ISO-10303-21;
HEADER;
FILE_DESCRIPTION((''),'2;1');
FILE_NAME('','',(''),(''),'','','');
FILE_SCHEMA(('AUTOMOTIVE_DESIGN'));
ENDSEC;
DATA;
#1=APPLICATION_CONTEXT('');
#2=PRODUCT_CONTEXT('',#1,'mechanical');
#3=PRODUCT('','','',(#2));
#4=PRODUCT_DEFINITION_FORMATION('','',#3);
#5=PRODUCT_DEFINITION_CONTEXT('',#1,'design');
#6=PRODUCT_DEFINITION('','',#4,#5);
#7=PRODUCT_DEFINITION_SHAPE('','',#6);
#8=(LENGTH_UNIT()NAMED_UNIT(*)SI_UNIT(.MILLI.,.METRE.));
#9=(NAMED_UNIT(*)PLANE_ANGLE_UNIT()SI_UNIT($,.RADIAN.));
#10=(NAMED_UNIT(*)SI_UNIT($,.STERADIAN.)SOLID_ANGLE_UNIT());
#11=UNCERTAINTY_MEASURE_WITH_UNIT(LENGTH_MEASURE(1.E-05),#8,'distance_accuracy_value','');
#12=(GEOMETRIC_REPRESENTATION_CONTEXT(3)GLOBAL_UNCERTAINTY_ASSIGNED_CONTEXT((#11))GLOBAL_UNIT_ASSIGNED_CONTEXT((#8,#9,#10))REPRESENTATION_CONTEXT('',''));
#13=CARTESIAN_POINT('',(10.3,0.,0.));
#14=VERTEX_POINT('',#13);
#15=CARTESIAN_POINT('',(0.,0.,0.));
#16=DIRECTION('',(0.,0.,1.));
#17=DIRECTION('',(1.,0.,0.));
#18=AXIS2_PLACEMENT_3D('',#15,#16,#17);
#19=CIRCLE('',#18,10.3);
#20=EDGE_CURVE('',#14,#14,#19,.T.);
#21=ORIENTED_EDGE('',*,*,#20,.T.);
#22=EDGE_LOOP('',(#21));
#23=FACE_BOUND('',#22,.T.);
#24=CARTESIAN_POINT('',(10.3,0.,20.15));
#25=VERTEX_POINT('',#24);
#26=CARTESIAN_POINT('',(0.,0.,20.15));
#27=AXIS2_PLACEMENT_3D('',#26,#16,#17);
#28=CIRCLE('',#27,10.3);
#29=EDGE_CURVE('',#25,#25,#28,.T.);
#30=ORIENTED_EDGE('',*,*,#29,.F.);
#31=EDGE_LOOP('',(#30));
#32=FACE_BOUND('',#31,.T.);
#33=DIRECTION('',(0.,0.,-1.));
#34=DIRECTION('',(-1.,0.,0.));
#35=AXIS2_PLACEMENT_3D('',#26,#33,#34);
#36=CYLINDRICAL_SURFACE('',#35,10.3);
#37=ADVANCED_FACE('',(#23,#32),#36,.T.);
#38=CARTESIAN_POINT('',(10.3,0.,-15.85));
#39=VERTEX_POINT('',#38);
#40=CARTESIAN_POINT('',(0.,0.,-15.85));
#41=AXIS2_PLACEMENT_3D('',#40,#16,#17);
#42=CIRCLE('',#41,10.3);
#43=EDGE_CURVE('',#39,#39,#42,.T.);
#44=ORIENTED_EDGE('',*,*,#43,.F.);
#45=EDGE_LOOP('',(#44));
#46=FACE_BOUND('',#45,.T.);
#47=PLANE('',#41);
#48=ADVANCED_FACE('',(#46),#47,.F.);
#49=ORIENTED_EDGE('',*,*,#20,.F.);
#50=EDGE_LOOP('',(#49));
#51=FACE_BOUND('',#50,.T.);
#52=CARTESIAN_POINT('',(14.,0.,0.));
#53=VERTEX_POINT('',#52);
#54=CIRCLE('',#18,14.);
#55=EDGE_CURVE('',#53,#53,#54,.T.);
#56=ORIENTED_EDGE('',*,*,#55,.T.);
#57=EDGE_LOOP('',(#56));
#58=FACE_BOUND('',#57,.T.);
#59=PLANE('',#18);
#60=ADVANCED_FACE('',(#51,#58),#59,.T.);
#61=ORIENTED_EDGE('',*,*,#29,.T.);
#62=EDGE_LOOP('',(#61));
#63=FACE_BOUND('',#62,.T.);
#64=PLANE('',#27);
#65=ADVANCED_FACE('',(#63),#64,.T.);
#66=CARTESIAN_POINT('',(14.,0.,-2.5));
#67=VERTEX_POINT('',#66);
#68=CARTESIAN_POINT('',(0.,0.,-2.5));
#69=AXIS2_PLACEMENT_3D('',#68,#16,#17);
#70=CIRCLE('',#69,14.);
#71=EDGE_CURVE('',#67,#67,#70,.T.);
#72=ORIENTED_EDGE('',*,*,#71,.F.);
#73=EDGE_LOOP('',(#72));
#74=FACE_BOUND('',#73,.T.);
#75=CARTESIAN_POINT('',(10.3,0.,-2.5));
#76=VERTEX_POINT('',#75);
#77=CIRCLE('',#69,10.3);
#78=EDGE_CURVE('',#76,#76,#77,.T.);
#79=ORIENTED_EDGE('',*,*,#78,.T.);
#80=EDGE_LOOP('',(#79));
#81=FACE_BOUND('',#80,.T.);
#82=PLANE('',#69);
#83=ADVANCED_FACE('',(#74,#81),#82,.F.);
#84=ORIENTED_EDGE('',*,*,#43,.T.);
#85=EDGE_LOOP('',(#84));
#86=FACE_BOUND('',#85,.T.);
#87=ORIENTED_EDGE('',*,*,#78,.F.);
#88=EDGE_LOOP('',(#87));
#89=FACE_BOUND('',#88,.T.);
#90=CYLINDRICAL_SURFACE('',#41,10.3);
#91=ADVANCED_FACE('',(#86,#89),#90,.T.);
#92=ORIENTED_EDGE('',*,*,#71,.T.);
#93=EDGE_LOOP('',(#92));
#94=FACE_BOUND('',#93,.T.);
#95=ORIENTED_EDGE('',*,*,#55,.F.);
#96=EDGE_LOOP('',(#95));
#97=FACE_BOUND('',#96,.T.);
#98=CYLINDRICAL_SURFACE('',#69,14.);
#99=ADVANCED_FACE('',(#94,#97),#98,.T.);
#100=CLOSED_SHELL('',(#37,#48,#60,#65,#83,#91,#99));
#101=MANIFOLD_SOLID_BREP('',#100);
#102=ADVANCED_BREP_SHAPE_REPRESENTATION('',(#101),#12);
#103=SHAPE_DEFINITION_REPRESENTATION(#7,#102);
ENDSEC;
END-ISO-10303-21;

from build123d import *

# Parameters (mm, degrees)
SKETCH1_R           = 10.3
BOSS_EXTRUDE1_DEPTH = 20.15
SKETCH1_3_R         = 14
BOSS_EXTRUDE2_DEPTH = 2.5
BOSS_EXTRUDE3_START = -15.85
SKETCH1_4_R         = 10.3
BOSS_EXTRUDE3_DEPTH = 15.85


with BuildPart() as part:
    # Sketch1 → Boss-Extrude1 (new body)
    with BuildSketch(Plane.XY):
        Circle(SKETCH1_R)
    extrude(amount=BOSS_EXTRUDE1_DEPTH)

    # Sketch1<3> → Boss-Extrude2 (add)
    with BuildSketch(Plane.XY):
        Circle(SKETCH1_3_R)
    extrude(amount=-BOSS_EXTRUDE2_DEPTH)

    # Sketch1<4> → Boss-Extrude3 (add)
    with BuildSketch(Plane.XY.offset(BOSS_EXTRUDE3_START)):
        Circle(SKETCH1_4_R)
    extrude(amount=BOSS_EXTRUDE3_DEPTH)


solid = part.part
